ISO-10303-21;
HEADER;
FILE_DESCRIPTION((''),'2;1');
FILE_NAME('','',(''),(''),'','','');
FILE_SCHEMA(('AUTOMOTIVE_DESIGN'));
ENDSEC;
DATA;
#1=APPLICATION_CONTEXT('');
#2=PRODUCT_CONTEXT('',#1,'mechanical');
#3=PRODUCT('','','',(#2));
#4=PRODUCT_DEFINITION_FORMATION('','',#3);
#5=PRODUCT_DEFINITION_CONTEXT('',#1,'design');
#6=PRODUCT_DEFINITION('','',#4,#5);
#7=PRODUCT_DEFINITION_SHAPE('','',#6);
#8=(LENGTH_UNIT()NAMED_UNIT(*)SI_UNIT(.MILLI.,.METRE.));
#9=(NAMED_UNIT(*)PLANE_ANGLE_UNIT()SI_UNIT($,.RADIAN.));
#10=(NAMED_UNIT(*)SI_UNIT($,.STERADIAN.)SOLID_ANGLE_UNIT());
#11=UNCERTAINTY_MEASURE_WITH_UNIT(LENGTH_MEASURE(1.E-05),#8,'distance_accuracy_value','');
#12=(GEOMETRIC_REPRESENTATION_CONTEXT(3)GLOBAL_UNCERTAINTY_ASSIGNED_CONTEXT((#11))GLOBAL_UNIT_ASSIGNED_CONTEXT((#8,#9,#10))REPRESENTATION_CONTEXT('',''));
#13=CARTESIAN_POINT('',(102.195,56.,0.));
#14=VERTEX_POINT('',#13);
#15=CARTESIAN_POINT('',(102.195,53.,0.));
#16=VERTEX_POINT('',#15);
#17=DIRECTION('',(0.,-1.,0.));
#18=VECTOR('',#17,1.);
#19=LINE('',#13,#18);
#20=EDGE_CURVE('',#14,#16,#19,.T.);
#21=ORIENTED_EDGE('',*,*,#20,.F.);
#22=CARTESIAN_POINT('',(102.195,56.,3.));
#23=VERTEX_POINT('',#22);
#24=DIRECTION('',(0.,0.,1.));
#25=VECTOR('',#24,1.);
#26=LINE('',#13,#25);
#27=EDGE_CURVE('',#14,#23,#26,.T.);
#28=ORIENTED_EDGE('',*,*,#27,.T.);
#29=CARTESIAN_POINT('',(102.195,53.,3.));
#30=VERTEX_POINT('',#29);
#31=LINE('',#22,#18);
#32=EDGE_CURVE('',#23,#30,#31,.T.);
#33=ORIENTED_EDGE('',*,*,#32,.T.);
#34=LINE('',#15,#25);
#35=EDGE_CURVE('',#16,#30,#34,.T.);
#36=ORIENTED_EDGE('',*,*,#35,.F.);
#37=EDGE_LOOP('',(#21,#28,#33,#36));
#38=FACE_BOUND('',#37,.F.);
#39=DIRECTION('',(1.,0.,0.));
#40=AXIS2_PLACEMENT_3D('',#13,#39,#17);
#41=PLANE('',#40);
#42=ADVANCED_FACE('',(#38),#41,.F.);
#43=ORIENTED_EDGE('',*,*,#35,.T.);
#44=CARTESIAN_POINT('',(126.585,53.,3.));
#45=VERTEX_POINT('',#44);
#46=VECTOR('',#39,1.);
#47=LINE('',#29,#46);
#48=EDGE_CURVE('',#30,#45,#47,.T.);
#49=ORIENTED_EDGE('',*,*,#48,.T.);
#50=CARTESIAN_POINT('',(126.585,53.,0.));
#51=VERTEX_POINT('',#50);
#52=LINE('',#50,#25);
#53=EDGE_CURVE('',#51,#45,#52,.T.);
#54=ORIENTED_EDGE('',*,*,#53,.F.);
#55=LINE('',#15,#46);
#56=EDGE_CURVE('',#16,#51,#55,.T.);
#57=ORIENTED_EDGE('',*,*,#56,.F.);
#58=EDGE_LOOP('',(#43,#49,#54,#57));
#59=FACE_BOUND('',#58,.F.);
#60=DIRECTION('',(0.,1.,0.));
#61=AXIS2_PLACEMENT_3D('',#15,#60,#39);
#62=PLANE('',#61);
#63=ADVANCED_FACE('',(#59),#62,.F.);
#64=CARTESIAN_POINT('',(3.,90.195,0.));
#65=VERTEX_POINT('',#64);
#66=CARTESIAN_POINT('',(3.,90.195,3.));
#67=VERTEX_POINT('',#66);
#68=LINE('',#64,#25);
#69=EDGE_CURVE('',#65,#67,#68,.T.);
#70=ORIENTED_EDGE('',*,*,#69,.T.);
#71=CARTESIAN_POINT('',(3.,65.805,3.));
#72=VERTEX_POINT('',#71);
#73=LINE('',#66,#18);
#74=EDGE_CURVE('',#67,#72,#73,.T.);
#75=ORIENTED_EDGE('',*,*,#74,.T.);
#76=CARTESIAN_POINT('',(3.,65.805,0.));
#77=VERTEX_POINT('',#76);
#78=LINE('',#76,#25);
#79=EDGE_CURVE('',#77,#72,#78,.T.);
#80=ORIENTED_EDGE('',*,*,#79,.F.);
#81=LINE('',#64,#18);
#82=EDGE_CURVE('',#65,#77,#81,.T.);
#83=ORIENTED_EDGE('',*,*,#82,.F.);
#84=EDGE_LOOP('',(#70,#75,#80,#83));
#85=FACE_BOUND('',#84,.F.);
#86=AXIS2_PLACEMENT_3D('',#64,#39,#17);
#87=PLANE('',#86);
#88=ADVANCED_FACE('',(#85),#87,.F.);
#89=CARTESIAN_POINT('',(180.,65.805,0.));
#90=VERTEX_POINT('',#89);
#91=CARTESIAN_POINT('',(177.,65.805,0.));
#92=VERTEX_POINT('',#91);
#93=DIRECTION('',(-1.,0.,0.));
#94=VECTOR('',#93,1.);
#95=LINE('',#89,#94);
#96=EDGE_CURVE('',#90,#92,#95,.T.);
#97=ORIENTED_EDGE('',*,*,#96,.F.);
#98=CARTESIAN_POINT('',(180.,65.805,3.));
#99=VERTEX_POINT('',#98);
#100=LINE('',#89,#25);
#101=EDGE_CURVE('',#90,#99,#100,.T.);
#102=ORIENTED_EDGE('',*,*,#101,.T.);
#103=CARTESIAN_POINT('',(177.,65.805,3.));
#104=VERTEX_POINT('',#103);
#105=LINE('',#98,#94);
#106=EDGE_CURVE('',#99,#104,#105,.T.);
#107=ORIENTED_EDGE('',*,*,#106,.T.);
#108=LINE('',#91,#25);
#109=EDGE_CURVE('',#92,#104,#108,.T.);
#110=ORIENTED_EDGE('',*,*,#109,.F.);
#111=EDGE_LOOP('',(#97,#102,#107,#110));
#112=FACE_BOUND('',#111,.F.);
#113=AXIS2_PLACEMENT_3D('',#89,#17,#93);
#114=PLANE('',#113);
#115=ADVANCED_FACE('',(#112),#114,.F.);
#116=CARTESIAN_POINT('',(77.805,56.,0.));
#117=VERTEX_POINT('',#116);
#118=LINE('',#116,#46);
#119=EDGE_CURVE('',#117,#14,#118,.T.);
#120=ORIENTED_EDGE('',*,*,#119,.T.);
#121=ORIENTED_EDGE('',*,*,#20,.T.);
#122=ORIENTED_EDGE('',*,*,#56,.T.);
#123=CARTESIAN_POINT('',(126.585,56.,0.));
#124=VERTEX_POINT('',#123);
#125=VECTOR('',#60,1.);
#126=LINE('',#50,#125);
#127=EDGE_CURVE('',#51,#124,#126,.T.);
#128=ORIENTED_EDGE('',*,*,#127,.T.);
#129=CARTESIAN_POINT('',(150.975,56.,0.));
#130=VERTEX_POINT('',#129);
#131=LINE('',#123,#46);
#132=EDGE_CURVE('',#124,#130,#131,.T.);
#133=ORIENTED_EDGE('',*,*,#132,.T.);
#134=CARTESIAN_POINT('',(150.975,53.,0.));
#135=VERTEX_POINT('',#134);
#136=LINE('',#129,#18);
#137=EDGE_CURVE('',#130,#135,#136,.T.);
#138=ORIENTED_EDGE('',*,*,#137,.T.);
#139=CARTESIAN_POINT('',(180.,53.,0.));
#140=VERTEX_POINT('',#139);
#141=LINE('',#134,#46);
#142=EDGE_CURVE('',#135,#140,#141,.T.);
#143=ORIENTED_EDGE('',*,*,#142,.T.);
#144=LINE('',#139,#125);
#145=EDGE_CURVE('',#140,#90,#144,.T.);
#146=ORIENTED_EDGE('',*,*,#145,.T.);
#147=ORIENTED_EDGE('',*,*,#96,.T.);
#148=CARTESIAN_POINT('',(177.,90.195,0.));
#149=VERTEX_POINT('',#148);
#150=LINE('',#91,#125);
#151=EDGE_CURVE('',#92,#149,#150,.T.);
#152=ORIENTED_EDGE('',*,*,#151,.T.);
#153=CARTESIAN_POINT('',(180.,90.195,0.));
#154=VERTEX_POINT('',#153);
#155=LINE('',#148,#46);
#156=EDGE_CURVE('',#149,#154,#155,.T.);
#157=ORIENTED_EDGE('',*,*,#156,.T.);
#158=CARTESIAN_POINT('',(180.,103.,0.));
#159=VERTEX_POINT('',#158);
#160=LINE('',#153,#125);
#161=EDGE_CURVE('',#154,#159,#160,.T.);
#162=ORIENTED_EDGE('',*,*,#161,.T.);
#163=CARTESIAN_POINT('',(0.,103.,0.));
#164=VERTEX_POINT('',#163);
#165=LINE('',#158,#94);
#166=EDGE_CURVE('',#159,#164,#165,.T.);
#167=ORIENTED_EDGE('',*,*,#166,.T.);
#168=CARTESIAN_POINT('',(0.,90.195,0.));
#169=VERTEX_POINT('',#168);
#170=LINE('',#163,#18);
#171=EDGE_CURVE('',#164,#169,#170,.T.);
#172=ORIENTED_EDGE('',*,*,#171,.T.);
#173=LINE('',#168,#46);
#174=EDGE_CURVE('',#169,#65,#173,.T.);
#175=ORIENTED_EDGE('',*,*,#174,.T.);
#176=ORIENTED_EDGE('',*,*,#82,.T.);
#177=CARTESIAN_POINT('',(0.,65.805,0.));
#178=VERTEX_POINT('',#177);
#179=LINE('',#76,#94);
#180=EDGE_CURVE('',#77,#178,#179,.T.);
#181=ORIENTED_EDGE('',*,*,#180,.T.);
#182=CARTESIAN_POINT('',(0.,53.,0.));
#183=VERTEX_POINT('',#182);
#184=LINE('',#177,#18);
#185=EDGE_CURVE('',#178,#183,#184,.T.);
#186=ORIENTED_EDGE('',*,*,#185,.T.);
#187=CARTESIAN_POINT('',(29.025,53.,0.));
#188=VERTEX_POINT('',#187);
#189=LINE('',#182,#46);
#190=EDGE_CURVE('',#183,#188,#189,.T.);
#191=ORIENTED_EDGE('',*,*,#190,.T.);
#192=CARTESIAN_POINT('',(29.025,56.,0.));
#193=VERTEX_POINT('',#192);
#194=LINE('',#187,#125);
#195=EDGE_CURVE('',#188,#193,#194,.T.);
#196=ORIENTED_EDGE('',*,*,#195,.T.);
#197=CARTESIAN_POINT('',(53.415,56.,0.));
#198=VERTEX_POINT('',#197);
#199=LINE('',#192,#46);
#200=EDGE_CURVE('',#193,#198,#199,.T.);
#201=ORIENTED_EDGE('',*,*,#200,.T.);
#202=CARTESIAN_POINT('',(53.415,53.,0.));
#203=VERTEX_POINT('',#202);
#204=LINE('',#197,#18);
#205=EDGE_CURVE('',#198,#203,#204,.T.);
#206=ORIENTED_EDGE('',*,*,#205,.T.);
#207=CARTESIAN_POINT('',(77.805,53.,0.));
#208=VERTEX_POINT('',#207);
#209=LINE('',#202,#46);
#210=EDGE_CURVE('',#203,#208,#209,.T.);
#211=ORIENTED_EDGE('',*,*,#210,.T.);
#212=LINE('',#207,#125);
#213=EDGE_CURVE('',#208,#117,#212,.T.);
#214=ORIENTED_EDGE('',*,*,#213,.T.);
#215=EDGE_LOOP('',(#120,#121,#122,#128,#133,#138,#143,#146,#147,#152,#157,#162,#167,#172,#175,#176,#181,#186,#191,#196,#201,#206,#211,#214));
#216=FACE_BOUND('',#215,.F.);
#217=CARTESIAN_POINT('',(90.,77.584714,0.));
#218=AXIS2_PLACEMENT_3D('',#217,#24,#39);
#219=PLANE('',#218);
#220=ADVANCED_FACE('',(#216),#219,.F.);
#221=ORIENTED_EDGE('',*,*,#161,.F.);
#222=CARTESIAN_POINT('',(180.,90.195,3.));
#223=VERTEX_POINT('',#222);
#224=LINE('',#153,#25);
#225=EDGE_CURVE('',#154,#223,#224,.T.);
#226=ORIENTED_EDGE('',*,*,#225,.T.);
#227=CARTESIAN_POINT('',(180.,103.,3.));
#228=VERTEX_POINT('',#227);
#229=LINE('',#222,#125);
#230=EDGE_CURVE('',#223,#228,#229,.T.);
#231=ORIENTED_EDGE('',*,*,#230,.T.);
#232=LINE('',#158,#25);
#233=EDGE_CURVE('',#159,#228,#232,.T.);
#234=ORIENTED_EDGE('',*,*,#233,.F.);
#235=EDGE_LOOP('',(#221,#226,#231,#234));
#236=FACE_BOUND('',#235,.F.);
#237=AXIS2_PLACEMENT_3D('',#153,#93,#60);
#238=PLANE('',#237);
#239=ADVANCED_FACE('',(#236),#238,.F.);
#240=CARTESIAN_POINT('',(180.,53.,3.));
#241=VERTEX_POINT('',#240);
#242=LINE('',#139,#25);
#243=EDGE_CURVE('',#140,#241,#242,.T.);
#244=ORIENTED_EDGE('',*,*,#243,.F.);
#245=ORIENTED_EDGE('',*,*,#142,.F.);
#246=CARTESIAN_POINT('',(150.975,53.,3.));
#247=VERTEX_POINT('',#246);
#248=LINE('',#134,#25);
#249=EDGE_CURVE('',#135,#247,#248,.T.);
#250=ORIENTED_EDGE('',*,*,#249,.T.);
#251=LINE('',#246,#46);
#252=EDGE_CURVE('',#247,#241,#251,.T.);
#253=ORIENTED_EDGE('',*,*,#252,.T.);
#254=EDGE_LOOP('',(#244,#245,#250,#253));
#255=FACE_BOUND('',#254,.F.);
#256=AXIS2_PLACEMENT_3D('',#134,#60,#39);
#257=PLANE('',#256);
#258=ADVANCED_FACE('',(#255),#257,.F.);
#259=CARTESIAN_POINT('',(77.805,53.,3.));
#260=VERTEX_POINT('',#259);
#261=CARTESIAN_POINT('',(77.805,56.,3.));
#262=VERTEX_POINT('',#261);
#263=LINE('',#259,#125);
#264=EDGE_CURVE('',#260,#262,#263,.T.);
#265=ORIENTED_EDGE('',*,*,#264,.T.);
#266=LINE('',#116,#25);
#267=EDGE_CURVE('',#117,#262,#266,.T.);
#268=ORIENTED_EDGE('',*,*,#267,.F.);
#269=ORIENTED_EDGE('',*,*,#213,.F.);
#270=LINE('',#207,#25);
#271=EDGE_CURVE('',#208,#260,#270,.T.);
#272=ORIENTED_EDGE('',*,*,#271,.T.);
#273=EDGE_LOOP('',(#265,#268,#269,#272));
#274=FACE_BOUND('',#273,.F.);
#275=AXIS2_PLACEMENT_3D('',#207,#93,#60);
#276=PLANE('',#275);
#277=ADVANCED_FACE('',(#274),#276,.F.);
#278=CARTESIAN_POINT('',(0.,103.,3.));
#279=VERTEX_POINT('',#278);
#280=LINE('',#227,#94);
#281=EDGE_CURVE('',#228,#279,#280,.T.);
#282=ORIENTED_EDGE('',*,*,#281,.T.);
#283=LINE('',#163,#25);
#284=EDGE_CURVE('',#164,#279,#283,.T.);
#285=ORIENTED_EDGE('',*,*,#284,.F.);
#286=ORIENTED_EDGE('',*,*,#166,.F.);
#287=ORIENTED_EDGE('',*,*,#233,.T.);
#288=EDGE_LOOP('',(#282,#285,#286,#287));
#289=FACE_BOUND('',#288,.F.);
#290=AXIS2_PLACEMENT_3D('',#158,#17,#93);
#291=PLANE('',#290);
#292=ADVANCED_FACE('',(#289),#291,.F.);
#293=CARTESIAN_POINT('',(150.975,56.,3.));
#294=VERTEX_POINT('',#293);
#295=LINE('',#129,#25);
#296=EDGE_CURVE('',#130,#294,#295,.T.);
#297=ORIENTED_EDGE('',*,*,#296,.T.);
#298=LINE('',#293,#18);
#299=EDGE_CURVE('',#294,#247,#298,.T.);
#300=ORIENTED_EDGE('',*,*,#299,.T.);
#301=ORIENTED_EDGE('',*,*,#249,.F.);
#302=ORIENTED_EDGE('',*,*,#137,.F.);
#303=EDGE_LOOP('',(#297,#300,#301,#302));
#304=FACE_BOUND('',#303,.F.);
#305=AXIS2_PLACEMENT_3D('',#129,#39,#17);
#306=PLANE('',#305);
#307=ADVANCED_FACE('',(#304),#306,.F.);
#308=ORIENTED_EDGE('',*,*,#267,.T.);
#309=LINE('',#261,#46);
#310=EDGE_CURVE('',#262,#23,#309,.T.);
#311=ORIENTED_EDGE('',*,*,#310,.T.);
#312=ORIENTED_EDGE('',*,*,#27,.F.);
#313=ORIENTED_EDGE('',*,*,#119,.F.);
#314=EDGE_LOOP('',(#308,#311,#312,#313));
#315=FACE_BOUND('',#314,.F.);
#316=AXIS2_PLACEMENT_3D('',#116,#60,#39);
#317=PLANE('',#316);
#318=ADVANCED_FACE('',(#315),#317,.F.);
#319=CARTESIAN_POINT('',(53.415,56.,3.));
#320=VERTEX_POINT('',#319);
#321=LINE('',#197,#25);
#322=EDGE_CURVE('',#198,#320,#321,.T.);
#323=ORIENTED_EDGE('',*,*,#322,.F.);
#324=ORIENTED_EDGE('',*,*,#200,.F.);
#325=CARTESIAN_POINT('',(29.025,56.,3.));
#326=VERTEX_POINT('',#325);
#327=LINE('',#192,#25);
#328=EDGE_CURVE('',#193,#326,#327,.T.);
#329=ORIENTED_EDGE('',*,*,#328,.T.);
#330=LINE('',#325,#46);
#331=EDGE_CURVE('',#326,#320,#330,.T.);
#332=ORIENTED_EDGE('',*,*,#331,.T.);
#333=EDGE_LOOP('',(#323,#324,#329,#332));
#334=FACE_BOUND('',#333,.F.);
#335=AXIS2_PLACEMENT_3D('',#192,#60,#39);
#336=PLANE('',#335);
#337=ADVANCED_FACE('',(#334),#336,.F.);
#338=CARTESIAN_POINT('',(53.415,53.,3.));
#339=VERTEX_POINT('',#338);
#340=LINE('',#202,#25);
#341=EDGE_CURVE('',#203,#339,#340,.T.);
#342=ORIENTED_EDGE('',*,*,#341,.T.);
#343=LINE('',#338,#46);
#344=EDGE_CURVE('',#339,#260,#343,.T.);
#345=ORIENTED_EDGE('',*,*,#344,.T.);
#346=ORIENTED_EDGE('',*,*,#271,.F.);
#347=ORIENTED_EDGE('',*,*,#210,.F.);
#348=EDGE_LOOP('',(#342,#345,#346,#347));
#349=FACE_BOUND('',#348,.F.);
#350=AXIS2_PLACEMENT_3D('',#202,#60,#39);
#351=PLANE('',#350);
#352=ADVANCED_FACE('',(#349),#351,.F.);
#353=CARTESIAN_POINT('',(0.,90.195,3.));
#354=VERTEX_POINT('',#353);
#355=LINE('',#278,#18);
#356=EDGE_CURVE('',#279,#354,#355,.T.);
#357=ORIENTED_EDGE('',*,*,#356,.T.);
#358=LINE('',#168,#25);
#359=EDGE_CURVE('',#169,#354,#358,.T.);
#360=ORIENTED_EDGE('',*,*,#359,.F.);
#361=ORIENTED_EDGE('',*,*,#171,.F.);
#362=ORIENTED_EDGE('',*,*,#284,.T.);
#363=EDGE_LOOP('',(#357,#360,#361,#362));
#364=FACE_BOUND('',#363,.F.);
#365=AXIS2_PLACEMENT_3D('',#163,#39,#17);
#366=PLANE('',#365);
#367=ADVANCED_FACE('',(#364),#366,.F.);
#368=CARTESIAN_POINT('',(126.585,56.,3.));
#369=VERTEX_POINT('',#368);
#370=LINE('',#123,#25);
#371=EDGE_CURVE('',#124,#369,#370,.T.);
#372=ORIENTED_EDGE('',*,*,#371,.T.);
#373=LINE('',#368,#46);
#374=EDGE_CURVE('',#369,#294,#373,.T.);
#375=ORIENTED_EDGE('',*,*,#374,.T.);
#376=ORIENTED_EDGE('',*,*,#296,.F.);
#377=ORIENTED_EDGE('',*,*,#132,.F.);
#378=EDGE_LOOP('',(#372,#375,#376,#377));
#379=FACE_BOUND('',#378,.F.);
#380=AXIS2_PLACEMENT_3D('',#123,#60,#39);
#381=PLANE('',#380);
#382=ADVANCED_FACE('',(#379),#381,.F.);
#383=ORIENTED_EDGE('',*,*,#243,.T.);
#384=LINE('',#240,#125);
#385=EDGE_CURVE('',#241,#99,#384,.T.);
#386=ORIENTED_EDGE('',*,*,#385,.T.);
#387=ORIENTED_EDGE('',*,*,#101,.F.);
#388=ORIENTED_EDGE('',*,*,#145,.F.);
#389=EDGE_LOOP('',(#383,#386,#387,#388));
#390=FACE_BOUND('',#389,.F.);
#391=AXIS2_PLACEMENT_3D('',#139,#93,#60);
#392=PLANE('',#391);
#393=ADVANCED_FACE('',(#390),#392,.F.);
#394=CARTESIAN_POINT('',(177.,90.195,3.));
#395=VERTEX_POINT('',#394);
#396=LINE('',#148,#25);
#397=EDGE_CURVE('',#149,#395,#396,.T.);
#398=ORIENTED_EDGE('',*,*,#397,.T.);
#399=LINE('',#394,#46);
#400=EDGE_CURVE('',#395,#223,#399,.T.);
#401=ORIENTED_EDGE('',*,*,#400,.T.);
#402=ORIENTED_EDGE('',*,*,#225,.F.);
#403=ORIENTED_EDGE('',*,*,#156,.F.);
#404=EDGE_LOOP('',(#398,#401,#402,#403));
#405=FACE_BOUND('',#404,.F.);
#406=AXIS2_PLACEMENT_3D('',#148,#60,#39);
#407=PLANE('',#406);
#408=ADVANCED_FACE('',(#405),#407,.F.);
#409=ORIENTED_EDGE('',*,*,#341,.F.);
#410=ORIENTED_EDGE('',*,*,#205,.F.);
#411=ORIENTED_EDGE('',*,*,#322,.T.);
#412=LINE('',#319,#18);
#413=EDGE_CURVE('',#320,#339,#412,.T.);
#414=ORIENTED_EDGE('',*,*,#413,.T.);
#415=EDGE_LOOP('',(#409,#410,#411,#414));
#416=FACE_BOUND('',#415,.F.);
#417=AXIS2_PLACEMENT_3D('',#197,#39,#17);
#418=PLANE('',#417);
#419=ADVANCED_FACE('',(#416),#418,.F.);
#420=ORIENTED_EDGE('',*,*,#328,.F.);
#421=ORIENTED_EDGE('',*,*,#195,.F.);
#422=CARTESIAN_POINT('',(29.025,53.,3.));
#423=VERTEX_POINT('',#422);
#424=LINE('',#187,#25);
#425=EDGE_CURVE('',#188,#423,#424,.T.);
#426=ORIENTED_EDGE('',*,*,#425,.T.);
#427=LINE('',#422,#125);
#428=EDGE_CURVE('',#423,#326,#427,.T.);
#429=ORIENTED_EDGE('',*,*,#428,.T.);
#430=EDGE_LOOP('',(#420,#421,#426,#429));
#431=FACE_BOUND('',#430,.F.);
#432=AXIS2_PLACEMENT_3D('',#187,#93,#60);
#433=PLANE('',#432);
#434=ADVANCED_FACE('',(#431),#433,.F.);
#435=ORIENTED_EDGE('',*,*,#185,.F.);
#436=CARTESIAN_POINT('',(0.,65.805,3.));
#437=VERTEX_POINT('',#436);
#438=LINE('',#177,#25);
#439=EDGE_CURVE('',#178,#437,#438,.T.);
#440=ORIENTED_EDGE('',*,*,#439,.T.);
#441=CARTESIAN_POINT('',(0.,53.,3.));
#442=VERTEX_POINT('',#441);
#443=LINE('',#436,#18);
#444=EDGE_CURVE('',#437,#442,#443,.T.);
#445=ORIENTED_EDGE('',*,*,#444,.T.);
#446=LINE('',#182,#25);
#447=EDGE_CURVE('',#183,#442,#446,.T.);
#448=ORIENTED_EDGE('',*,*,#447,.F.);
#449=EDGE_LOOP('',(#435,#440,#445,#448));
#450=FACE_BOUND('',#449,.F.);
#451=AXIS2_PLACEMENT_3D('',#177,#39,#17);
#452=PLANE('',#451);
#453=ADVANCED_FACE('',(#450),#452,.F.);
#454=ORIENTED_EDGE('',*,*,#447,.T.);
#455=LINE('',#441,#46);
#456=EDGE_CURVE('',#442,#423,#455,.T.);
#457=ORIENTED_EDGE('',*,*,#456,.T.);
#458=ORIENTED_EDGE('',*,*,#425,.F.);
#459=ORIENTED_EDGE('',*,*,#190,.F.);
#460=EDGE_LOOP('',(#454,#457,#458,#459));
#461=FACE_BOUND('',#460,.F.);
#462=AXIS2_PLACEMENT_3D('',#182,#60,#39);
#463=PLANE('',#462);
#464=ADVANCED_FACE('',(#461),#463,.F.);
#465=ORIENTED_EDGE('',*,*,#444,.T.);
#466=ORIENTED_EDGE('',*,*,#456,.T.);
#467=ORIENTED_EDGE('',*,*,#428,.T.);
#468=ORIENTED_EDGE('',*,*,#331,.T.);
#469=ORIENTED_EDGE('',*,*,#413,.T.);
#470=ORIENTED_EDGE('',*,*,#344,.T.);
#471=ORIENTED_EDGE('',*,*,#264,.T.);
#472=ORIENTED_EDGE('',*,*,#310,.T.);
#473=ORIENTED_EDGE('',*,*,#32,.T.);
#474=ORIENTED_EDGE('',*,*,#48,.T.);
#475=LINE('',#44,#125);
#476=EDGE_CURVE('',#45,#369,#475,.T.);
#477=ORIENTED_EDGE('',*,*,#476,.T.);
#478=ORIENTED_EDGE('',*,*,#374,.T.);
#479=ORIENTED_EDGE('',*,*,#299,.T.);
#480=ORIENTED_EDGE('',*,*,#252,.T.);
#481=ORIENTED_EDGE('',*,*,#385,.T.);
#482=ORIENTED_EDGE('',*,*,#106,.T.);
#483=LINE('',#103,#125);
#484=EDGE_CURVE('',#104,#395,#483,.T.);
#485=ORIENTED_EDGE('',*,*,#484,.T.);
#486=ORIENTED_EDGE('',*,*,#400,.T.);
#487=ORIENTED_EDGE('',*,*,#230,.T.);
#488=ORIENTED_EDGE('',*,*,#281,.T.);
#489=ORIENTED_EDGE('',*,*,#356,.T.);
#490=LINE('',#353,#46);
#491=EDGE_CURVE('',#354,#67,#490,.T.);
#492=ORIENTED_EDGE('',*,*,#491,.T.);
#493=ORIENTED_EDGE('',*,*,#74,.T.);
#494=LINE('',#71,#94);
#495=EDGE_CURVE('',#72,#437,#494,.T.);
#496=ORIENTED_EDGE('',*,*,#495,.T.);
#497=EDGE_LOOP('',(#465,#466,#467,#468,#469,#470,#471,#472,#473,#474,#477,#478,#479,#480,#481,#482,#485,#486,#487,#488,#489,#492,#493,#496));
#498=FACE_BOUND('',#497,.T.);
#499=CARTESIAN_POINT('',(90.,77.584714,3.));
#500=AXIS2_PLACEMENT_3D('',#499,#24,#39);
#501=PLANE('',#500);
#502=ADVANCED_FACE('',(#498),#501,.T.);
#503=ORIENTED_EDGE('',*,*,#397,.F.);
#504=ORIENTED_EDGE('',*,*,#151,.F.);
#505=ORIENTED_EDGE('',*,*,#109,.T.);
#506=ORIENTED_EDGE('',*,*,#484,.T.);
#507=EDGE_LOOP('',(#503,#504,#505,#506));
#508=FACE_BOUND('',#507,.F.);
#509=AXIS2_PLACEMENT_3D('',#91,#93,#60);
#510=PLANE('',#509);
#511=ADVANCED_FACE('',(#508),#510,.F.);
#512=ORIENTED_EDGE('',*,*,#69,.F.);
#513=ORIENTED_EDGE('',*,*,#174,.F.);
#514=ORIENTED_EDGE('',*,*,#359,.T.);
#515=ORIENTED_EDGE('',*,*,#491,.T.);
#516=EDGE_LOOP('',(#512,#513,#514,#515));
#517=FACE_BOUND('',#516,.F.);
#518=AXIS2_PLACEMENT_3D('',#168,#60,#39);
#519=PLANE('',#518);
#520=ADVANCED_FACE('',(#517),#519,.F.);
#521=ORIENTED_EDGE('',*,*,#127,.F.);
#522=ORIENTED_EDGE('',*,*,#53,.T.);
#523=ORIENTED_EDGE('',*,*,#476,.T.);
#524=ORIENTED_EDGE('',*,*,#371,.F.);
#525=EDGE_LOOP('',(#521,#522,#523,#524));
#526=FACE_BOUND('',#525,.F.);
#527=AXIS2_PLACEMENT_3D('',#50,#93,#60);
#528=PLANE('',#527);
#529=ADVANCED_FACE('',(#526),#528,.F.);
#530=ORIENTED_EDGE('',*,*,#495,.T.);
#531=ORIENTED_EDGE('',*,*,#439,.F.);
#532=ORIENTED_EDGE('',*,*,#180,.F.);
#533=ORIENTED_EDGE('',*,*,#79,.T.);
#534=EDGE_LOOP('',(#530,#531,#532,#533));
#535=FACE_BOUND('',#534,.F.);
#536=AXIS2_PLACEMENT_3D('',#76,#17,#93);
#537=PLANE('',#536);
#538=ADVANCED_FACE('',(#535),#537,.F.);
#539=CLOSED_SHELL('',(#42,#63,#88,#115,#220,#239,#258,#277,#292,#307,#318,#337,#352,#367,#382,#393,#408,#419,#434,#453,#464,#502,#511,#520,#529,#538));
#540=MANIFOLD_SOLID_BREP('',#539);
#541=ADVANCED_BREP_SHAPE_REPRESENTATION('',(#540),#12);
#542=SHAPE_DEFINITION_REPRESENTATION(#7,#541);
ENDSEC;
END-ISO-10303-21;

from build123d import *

# Parameters (mm, degrees)
SALIENTE_EXTRUIR1_DEPTH = 3


with BuildPart() as part:
    # Model → Saliente-Extruir1 (new body)
    with BuildSketch(Plane.XY):
        Polygon((0, 103), (0, 90.195), (3, 90.195), (3, 65.805), (0, 65.805), (0, 53), (29.025, 53), (29.025, 56), (53.415, 56), (53.415, 53), (77.805, 53), (77.805, 56), (102.195, 56), (102.195, 53), (126.585, 53), (126.585, 56), (150.975, 56), (150.975, 53), (175.365, 53), (180, 53), (180, 65.805), (177, 65.805), (177, 90.195), (180, 90.195), (180, 103), align=None)
    extrude(amount=SALIENTE_EXTRUIR1_DEPTH)


solid = part.part
